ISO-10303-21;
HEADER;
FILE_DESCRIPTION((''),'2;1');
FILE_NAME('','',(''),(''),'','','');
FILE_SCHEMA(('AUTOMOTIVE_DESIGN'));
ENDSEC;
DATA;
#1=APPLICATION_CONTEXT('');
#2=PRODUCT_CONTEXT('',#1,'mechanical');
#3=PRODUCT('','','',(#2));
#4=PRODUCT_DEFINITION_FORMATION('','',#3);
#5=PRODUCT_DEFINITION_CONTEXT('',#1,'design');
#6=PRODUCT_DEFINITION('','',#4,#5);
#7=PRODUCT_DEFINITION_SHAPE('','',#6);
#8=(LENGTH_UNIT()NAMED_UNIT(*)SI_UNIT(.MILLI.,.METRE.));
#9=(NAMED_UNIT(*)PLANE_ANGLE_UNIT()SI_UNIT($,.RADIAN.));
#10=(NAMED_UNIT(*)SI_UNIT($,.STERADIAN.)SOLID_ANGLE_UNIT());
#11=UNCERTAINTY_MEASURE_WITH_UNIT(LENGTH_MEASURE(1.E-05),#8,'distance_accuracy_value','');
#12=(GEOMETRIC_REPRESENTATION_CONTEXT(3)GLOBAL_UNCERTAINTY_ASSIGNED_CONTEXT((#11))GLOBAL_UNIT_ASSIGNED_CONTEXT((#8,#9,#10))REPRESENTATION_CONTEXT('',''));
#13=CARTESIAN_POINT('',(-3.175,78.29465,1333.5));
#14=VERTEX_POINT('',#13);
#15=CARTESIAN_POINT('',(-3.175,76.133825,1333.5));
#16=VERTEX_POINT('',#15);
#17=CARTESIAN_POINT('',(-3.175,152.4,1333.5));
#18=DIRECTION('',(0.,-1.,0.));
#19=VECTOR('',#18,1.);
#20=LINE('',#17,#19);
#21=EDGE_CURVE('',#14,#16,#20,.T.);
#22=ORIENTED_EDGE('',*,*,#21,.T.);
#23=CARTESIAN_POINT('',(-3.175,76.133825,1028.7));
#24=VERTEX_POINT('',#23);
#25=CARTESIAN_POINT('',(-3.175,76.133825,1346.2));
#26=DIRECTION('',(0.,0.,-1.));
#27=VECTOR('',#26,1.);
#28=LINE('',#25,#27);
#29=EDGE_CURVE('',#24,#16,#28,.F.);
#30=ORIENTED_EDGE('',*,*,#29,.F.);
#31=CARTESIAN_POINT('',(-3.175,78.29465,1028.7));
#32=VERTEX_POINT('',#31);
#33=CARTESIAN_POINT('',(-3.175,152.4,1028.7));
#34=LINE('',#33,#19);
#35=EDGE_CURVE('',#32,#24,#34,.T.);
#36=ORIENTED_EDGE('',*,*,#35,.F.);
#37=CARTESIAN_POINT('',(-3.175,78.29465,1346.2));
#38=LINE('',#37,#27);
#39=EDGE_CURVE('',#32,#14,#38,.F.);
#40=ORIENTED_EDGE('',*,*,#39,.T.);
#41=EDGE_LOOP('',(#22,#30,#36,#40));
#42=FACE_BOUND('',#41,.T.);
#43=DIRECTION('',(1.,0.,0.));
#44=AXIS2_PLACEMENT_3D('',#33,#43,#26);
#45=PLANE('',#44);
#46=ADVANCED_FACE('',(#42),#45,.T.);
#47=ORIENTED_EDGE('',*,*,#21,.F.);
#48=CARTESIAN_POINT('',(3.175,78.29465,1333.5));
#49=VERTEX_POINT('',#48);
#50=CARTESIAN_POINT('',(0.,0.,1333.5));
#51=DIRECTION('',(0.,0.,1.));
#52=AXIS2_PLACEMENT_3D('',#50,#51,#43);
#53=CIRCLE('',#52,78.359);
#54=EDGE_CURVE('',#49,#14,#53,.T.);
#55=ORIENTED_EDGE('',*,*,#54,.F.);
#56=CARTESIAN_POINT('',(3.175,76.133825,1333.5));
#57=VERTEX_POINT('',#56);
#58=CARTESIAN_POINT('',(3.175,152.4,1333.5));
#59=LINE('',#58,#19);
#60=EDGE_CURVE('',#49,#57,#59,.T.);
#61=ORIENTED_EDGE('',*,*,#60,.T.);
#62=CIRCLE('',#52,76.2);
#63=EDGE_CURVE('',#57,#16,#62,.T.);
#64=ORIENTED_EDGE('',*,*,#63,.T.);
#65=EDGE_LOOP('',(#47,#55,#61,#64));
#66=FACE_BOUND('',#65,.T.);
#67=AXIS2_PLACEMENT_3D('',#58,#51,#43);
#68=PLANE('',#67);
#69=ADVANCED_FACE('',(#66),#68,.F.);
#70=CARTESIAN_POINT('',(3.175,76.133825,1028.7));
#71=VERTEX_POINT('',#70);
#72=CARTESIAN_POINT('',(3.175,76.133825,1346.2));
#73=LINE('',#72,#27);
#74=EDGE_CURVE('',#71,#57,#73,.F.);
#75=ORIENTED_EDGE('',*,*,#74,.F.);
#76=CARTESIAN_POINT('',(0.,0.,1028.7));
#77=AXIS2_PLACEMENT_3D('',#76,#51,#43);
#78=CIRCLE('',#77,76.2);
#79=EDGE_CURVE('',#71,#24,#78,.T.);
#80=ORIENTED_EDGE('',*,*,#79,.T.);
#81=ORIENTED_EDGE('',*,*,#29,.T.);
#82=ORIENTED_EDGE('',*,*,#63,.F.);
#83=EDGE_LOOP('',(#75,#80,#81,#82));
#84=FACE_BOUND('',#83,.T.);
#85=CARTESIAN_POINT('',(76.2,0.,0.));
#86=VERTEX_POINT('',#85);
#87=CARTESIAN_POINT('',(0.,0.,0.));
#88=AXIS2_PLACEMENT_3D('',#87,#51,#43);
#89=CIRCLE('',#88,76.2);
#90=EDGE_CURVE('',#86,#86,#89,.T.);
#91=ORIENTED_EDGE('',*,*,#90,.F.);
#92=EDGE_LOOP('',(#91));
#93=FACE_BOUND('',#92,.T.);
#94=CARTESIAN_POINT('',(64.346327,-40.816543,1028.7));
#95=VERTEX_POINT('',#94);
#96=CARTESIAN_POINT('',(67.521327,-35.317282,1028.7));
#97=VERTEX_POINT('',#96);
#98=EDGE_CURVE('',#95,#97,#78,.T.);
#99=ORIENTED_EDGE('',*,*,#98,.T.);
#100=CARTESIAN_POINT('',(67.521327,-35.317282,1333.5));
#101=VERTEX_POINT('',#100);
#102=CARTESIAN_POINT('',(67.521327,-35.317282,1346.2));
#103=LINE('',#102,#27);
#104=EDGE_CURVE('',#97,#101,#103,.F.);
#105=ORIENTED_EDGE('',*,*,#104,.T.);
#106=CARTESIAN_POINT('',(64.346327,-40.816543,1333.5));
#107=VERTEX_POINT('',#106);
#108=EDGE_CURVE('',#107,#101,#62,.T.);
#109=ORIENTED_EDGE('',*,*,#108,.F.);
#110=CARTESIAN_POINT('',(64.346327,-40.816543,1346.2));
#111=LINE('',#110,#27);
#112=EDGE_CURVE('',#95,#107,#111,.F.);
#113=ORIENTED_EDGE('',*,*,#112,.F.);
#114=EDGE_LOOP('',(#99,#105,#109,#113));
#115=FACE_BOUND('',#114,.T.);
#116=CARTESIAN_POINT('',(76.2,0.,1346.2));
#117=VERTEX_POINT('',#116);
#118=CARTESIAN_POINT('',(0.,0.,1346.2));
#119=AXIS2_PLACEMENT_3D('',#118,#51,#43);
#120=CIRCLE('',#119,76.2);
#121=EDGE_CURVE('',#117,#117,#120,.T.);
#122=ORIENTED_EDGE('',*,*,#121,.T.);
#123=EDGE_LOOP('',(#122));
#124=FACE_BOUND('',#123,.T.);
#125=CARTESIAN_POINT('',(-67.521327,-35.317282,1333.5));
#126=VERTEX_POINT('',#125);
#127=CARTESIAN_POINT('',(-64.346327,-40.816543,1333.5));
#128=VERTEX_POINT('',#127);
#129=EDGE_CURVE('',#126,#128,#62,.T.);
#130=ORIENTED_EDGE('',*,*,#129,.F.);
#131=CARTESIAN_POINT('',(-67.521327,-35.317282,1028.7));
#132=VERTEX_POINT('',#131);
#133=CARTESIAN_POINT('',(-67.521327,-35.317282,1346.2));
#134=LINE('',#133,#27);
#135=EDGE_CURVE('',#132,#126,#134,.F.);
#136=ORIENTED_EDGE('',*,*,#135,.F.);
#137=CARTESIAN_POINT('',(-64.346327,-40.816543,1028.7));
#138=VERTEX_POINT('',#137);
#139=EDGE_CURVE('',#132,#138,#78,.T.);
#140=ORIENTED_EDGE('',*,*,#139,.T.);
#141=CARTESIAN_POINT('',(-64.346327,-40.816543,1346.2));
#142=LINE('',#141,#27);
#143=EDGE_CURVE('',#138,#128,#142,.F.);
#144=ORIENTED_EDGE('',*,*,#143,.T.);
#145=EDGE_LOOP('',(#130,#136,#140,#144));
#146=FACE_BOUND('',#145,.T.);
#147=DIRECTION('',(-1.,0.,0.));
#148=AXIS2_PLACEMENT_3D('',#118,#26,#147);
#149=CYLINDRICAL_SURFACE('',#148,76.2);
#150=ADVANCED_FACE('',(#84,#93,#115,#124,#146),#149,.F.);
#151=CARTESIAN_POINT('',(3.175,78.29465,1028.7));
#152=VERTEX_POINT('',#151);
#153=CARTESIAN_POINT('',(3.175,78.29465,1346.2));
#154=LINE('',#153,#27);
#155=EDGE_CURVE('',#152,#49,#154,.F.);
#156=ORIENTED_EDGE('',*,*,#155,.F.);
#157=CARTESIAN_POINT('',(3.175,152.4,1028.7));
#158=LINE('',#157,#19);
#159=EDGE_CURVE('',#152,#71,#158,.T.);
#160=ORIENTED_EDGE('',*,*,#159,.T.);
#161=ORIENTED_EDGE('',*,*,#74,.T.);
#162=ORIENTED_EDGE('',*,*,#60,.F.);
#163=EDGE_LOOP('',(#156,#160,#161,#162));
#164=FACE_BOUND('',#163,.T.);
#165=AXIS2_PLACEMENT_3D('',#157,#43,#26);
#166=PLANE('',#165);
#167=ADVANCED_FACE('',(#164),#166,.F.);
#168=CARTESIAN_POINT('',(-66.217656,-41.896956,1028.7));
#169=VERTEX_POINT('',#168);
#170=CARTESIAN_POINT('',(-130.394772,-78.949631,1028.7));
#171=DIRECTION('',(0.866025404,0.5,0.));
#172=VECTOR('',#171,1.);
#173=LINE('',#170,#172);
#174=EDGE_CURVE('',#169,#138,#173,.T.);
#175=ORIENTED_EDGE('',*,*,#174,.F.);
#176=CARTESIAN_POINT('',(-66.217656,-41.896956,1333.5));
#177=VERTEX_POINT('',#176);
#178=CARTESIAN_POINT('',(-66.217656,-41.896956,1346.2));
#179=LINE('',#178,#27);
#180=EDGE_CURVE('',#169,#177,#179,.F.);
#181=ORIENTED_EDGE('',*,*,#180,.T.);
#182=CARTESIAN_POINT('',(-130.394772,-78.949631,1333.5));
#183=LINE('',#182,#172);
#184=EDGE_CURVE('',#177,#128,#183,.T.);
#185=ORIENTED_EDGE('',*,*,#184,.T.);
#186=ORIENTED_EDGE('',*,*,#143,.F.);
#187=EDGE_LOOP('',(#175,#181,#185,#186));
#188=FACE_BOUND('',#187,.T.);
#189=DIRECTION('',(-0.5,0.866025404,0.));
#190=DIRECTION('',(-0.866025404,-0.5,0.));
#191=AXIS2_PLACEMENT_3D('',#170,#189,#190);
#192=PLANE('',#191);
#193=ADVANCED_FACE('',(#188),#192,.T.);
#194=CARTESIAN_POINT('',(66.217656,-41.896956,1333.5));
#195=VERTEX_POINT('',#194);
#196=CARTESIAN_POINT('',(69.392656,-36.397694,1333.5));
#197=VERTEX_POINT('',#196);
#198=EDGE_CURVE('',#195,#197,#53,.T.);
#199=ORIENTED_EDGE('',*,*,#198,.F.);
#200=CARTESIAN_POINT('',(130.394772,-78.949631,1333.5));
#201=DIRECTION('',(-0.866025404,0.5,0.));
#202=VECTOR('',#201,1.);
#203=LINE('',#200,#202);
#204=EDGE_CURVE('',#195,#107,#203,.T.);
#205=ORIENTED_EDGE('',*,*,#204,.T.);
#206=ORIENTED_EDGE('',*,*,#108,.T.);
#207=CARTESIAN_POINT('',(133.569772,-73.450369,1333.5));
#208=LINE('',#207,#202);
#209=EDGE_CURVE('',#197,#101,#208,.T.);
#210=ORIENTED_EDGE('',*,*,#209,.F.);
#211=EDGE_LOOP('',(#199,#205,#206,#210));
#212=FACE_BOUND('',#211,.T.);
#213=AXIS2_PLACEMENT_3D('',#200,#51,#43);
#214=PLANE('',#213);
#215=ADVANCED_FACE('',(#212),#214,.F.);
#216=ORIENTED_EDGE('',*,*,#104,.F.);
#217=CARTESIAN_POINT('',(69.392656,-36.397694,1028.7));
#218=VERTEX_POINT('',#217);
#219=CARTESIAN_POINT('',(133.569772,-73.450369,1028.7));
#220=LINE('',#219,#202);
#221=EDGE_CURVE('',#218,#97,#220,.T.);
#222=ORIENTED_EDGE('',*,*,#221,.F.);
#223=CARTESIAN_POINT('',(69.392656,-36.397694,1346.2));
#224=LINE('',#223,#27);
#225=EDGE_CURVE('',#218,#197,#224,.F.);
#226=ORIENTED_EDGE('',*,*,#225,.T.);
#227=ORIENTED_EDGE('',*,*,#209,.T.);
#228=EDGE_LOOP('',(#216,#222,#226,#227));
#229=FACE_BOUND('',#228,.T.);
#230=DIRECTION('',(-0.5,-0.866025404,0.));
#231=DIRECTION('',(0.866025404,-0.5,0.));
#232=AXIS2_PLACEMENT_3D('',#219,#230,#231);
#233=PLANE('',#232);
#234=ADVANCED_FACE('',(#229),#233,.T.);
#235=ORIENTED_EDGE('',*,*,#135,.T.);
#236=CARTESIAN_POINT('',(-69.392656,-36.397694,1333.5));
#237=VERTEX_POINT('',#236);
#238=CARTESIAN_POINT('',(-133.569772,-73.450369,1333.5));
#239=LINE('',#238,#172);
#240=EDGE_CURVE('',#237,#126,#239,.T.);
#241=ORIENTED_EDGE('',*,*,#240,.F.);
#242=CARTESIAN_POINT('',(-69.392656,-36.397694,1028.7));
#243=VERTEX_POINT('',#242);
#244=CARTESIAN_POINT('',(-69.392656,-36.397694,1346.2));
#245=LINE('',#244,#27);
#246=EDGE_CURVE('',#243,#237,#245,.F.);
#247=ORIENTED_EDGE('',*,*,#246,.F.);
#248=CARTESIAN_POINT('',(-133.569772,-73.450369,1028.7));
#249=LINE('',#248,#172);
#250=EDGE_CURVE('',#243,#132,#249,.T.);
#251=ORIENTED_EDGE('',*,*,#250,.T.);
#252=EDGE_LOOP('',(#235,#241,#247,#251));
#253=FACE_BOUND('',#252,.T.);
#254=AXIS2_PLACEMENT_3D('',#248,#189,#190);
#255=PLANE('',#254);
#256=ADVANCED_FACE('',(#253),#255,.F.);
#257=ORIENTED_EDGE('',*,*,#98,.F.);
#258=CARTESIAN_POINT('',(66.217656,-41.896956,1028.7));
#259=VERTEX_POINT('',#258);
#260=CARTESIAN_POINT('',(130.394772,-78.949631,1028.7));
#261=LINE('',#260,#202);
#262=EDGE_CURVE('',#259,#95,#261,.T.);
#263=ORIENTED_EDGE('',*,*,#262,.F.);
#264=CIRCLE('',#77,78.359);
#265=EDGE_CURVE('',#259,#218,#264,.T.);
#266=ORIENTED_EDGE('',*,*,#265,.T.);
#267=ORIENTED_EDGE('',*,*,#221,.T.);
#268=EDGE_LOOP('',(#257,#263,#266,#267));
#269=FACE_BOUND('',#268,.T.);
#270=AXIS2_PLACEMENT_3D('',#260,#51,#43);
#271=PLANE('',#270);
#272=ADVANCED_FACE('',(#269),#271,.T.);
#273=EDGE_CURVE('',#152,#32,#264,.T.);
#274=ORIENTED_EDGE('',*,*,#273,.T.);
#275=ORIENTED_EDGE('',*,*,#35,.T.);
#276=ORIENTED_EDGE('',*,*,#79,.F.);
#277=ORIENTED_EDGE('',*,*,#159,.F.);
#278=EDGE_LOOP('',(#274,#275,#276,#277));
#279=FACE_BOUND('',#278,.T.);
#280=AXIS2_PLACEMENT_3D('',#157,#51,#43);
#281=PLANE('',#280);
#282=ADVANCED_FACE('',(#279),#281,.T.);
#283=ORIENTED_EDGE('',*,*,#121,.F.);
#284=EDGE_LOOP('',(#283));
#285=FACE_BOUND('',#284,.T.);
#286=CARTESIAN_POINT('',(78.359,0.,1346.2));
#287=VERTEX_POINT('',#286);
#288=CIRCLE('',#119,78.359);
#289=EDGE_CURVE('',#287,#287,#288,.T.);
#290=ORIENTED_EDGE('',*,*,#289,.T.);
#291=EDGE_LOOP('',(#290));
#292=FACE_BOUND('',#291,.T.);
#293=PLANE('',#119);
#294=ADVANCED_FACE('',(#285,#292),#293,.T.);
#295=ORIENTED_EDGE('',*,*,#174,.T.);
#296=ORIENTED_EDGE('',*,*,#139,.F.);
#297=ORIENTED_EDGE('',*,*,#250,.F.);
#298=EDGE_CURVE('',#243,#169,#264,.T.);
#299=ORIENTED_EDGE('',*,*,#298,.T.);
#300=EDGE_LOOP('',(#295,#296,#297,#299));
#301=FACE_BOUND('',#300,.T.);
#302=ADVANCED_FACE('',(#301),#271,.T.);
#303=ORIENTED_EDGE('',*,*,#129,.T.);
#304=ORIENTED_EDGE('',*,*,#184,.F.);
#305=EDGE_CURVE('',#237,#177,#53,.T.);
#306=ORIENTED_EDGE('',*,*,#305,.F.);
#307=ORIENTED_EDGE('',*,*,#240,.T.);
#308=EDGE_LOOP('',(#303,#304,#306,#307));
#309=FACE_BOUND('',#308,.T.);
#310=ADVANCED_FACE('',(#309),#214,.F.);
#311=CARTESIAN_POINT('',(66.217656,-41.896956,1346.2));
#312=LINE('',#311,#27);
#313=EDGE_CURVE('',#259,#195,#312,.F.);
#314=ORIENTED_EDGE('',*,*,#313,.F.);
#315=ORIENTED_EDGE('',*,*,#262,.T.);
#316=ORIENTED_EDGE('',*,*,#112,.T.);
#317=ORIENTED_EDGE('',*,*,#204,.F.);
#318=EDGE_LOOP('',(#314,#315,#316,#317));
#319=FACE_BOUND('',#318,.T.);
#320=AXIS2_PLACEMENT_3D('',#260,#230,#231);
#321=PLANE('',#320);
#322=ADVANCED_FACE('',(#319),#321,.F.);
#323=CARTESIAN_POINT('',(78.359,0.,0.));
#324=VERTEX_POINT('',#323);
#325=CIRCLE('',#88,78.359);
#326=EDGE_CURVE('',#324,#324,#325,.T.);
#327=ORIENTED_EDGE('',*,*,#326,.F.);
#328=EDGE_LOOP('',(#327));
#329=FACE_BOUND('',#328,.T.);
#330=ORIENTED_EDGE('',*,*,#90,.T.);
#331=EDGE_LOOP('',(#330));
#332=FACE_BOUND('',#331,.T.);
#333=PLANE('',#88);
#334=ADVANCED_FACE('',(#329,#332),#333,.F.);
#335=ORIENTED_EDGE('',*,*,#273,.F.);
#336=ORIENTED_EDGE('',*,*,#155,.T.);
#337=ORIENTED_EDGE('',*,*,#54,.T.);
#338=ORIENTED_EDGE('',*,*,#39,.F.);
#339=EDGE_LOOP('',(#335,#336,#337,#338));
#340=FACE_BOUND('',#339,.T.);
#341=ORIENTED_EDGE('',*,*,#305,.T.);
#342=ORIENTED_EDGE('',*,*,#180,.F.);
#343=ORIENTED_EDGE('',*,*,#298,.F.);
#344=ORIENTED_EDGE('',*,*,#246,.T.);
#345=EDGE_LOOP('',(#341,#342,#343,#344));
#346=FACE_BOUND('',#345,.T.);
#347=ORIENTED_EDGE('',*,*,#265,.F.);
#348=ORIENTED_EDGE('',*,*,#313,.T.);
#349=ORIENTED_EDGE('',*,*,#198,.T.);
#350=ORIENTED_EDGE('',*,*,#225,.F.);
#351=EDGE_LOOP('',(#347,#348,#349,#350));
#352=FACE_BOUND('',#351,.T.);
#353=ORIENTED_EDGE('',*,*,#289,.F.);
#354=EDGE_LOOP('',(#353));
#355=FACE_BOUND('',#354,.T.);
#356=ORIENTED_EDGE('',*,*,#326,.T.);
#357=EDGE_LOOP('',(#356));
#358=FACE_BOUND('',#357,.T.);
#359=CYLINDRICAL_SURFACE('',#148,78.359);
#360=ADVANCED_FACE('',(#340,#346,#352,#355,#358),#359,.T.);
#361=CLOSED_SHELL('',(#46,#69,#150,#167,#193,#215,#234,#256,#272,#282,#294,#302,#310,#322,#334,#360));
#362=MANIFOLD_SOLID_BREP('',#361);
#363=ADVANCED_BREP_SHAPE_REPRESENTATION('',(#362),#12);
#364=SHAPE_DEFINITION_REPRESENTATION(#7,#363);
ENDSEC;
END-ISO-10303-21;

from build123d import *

# Parameters (mm, degrees)
ESQUISSE2_R                  = 78.359
ESQUISSE2_R_2                = 76.2
BOSS_EXTRU_1_DEPTH           = 1346.2
ESQUISSE3_W                  = 6.35
ESQUISSE3_H                  = 304.8
ENL_V_MAT_EXTRU_1_DEPTH      = 152.4
R_P_TITION_CIRCULAIRE1_COUNT = 3


with BuildPart() as part:
    # Esquisse2 → Boss.-Extru.1 (new body)
    with BuildSketch(Plane.XY):
        Circle(ESQUISSE2_R)
        Circle(ESQUISSE2_R_2, mode=Mode.SUBTRACT)
    extrude(amount=BOSS_EXTRU_1_DEPTH)

    # Esquisse3 → Enlèv. mat.-Extru.1 (cut)
    with BuildSketch(Plane(origin=(0, 0, 0), x_dir=(1, 0, 0), z_dir=(0, 1, 0))):
        with Locations((0, -1181.1)):
            Rectangle(ESQUISSE3_W, ESQUISSE3_H)
    enl_v_mat_extru_1 = extrude(amount=ENL_V_MAT_EXTRU_1_DEPTH, mode=Mode.SUBTRACT)

    # Répétition circulaire1: Enlèv. mat.-Extru.1 ×3 about axis
    r_p_tition_circulaire1_axis = Axis((0, 0, 0), (0, 0, 1))
    for i in range(1, R_P_TITION_CIRCULAIRE1_COUNT):
        add(enl_v_mat_extru_1.rotate(r_p_tition_circulaire1_axis, i * 360 / R_P_TITION_CIRCULAIRE1_COUNT), mode=Mode.SUBTRACT)


solid = part.part
